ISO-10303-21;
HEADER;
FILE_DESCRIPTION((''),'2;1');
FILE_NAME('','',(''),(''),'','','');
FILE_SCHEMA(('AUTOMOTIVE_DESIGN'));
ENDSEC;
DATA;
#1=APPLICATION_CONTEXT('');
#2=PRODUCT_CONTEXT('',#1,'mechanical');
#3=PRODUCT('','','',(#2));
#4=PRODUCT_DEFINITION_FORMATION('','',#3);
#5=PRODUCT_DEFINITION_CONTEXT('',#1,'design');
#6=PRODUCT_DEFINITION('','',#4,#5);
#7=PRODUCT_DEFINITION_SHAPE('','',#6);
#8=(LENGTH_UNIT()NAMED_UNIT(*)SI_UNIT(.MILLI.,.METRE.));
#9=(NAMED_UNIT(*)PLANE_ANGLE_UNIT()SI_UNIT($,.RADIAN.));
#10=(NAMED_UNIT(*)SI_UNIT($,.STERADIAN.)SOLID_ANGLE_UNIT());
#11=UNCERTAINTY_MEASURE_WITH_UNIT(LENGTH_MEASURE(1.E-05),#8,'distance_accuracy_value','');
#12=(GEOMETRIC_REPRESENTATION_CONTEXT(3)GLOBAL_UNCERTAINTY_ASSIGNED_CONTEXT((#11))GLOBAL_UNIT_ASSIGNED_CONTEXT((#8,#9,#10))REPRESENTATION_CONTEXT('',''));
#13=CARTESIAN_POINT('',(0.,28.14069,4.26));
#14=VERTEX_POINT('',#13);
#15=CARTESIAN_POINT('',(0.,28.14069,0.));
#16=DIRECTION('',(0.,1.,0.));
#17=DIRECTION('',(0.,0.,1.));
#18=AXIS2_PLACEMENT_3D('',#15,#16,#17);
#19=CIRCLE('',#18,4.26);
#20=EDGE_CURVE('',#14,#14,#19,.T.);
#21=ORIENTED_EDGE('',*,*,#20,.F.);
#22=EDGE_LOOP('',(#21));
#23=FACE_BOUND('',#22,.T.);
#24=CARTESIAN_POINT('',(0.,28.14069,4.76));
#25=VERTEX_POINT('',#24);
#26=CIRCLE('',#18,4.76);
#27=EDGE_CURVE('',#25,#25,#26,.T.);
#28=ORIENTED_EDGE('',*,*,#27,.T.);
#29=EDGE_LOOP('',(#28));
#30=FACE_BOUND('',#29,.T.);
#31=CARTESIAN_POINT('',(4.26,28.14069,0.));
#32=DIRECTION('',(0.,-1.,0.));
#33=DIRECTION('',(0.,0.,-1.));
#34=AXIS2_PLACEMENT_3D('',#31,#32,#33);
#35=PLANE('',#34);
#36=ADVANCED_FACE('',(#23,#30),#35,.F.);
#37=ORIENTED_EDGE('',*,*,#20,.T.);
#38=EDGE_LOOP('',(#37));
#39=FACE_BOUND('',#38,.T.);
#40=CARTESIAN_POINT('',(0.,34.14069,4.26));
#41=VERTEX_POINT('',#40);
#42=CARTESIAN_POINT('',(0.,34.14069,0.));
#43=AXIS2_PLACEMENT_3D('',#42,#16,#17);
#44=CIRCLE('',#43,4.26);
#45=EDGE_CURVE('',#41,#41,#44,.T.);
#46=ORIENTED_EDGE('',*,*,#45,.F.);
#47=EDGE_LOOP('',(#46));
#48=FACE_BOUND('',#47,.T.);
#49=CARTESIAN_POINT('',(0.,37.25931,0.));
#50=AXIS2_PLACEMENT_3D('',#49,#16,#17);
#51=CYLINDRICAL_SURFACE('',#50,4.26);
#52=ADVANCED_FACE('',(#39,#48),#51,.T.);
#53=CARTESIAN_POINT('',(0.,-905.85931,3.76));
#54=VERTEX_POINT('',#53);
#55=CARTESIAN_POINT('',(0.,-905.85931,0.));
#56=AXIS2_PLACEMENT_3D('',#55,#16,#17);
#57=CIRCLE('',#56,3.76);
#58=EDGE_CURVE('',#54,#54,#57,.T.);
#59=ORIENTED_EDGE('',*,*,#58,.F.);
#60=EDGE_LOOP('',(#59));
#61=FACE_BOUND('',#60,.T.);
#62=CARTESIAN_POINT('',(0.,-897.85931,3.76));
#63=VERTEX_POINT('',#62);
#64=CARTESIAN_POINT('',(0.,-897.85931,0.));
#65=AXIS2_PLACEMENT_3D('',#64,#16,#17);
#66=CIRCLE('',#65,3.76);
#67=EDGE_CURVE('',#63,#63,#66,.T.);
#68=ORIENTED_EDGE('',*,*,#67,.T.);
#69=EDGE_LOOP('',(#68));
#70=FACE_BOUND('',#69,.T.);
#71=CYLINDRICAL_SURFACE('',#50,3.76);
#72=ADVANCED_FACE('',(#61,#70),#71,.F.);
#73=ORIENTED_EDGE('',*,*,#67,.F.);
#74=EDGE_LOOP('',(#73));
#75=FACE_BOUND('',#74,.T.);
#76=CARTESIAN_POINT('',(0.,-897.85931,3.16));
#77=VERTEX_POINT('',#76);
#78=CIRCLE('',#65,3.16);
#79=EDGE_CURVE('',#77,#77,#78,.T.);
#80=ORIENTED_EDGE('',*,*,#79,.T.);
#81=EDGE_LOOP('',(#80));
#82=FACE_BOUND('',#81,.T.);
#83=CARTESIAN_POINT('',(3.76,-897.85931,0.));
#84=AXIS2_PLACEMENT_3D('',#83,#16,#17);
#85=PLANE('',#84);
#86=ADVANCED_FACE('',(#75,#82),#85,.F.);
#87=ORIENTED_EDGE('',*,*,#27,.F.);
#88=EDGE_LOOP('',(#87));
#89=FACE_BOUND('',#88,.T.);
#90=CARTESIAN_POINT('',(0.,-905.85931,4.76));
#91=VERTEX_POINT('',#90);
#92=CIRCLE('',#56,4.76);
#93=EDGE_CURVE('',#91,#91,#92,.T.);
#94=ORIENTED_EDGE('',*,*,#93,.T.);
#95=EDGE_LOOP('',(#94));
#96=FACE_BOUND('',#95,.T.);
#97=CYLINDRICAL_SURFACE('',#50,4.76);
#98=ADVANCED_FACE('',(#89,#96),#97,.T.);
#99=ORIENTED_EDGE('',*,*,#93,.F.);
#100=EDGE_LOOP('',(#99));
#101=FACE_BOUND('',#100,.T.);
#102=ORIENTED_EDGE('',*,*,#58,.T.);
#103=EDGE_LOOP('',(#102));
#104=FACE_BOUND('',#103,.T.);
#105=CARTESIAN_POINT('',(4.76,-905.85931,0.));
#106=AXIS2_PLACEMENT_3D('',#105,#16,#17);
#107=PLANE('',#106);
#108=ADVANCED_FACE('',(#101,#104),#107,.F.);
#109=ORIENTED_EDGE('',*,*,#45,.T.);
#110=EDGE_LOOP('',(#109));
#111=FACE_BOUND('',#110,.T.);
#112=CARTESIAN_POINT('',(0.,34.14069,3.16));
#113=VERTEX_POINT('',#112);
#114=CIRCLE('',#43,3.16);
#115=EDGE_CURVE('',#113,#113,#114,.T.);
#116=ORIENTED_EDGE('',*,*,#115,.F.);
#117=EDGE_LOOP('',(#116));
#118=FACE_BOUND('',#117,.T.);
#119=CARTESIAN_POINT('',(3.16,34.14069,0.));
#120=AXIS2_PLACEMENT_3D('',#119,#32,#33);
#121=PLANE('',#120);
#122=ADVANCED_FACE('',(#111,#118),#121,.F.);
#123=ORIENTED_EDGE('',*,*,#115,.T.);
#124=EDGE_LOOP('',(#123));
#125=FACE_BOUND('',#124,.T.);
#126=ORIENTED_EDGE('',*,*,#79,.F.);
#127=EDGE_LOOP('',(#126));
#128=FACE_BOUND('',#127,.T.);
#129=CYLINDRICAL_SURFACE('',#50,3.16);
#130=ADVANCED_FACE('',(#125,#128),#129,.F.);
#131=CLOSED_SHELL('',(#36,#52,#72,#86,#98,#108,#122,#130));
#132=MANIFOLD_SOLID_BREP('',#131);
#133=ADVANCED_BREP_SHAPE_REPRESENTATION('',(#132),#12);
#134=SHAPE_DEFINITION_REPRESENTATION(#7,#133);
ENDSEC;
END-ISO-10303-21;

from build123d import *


with BuildPart() as part:
    # Croquis1 → Revolución1 (revolve)
    with BuildSketch(Plane.XY):
        Polygon((3.16, 34.140689655), (4.26, 34.140689655), (4.26, 28.140689655), (4.76, 28.140689655), (4.76, -905.859310345), (3.76, -905.859310345), (3.76, -897.859310345), (3.16, -897.859310345), align=None)
    revolve(axis=Axis((0, 37.259310345, 0), (0, -1, 0)))


solid = part.part
